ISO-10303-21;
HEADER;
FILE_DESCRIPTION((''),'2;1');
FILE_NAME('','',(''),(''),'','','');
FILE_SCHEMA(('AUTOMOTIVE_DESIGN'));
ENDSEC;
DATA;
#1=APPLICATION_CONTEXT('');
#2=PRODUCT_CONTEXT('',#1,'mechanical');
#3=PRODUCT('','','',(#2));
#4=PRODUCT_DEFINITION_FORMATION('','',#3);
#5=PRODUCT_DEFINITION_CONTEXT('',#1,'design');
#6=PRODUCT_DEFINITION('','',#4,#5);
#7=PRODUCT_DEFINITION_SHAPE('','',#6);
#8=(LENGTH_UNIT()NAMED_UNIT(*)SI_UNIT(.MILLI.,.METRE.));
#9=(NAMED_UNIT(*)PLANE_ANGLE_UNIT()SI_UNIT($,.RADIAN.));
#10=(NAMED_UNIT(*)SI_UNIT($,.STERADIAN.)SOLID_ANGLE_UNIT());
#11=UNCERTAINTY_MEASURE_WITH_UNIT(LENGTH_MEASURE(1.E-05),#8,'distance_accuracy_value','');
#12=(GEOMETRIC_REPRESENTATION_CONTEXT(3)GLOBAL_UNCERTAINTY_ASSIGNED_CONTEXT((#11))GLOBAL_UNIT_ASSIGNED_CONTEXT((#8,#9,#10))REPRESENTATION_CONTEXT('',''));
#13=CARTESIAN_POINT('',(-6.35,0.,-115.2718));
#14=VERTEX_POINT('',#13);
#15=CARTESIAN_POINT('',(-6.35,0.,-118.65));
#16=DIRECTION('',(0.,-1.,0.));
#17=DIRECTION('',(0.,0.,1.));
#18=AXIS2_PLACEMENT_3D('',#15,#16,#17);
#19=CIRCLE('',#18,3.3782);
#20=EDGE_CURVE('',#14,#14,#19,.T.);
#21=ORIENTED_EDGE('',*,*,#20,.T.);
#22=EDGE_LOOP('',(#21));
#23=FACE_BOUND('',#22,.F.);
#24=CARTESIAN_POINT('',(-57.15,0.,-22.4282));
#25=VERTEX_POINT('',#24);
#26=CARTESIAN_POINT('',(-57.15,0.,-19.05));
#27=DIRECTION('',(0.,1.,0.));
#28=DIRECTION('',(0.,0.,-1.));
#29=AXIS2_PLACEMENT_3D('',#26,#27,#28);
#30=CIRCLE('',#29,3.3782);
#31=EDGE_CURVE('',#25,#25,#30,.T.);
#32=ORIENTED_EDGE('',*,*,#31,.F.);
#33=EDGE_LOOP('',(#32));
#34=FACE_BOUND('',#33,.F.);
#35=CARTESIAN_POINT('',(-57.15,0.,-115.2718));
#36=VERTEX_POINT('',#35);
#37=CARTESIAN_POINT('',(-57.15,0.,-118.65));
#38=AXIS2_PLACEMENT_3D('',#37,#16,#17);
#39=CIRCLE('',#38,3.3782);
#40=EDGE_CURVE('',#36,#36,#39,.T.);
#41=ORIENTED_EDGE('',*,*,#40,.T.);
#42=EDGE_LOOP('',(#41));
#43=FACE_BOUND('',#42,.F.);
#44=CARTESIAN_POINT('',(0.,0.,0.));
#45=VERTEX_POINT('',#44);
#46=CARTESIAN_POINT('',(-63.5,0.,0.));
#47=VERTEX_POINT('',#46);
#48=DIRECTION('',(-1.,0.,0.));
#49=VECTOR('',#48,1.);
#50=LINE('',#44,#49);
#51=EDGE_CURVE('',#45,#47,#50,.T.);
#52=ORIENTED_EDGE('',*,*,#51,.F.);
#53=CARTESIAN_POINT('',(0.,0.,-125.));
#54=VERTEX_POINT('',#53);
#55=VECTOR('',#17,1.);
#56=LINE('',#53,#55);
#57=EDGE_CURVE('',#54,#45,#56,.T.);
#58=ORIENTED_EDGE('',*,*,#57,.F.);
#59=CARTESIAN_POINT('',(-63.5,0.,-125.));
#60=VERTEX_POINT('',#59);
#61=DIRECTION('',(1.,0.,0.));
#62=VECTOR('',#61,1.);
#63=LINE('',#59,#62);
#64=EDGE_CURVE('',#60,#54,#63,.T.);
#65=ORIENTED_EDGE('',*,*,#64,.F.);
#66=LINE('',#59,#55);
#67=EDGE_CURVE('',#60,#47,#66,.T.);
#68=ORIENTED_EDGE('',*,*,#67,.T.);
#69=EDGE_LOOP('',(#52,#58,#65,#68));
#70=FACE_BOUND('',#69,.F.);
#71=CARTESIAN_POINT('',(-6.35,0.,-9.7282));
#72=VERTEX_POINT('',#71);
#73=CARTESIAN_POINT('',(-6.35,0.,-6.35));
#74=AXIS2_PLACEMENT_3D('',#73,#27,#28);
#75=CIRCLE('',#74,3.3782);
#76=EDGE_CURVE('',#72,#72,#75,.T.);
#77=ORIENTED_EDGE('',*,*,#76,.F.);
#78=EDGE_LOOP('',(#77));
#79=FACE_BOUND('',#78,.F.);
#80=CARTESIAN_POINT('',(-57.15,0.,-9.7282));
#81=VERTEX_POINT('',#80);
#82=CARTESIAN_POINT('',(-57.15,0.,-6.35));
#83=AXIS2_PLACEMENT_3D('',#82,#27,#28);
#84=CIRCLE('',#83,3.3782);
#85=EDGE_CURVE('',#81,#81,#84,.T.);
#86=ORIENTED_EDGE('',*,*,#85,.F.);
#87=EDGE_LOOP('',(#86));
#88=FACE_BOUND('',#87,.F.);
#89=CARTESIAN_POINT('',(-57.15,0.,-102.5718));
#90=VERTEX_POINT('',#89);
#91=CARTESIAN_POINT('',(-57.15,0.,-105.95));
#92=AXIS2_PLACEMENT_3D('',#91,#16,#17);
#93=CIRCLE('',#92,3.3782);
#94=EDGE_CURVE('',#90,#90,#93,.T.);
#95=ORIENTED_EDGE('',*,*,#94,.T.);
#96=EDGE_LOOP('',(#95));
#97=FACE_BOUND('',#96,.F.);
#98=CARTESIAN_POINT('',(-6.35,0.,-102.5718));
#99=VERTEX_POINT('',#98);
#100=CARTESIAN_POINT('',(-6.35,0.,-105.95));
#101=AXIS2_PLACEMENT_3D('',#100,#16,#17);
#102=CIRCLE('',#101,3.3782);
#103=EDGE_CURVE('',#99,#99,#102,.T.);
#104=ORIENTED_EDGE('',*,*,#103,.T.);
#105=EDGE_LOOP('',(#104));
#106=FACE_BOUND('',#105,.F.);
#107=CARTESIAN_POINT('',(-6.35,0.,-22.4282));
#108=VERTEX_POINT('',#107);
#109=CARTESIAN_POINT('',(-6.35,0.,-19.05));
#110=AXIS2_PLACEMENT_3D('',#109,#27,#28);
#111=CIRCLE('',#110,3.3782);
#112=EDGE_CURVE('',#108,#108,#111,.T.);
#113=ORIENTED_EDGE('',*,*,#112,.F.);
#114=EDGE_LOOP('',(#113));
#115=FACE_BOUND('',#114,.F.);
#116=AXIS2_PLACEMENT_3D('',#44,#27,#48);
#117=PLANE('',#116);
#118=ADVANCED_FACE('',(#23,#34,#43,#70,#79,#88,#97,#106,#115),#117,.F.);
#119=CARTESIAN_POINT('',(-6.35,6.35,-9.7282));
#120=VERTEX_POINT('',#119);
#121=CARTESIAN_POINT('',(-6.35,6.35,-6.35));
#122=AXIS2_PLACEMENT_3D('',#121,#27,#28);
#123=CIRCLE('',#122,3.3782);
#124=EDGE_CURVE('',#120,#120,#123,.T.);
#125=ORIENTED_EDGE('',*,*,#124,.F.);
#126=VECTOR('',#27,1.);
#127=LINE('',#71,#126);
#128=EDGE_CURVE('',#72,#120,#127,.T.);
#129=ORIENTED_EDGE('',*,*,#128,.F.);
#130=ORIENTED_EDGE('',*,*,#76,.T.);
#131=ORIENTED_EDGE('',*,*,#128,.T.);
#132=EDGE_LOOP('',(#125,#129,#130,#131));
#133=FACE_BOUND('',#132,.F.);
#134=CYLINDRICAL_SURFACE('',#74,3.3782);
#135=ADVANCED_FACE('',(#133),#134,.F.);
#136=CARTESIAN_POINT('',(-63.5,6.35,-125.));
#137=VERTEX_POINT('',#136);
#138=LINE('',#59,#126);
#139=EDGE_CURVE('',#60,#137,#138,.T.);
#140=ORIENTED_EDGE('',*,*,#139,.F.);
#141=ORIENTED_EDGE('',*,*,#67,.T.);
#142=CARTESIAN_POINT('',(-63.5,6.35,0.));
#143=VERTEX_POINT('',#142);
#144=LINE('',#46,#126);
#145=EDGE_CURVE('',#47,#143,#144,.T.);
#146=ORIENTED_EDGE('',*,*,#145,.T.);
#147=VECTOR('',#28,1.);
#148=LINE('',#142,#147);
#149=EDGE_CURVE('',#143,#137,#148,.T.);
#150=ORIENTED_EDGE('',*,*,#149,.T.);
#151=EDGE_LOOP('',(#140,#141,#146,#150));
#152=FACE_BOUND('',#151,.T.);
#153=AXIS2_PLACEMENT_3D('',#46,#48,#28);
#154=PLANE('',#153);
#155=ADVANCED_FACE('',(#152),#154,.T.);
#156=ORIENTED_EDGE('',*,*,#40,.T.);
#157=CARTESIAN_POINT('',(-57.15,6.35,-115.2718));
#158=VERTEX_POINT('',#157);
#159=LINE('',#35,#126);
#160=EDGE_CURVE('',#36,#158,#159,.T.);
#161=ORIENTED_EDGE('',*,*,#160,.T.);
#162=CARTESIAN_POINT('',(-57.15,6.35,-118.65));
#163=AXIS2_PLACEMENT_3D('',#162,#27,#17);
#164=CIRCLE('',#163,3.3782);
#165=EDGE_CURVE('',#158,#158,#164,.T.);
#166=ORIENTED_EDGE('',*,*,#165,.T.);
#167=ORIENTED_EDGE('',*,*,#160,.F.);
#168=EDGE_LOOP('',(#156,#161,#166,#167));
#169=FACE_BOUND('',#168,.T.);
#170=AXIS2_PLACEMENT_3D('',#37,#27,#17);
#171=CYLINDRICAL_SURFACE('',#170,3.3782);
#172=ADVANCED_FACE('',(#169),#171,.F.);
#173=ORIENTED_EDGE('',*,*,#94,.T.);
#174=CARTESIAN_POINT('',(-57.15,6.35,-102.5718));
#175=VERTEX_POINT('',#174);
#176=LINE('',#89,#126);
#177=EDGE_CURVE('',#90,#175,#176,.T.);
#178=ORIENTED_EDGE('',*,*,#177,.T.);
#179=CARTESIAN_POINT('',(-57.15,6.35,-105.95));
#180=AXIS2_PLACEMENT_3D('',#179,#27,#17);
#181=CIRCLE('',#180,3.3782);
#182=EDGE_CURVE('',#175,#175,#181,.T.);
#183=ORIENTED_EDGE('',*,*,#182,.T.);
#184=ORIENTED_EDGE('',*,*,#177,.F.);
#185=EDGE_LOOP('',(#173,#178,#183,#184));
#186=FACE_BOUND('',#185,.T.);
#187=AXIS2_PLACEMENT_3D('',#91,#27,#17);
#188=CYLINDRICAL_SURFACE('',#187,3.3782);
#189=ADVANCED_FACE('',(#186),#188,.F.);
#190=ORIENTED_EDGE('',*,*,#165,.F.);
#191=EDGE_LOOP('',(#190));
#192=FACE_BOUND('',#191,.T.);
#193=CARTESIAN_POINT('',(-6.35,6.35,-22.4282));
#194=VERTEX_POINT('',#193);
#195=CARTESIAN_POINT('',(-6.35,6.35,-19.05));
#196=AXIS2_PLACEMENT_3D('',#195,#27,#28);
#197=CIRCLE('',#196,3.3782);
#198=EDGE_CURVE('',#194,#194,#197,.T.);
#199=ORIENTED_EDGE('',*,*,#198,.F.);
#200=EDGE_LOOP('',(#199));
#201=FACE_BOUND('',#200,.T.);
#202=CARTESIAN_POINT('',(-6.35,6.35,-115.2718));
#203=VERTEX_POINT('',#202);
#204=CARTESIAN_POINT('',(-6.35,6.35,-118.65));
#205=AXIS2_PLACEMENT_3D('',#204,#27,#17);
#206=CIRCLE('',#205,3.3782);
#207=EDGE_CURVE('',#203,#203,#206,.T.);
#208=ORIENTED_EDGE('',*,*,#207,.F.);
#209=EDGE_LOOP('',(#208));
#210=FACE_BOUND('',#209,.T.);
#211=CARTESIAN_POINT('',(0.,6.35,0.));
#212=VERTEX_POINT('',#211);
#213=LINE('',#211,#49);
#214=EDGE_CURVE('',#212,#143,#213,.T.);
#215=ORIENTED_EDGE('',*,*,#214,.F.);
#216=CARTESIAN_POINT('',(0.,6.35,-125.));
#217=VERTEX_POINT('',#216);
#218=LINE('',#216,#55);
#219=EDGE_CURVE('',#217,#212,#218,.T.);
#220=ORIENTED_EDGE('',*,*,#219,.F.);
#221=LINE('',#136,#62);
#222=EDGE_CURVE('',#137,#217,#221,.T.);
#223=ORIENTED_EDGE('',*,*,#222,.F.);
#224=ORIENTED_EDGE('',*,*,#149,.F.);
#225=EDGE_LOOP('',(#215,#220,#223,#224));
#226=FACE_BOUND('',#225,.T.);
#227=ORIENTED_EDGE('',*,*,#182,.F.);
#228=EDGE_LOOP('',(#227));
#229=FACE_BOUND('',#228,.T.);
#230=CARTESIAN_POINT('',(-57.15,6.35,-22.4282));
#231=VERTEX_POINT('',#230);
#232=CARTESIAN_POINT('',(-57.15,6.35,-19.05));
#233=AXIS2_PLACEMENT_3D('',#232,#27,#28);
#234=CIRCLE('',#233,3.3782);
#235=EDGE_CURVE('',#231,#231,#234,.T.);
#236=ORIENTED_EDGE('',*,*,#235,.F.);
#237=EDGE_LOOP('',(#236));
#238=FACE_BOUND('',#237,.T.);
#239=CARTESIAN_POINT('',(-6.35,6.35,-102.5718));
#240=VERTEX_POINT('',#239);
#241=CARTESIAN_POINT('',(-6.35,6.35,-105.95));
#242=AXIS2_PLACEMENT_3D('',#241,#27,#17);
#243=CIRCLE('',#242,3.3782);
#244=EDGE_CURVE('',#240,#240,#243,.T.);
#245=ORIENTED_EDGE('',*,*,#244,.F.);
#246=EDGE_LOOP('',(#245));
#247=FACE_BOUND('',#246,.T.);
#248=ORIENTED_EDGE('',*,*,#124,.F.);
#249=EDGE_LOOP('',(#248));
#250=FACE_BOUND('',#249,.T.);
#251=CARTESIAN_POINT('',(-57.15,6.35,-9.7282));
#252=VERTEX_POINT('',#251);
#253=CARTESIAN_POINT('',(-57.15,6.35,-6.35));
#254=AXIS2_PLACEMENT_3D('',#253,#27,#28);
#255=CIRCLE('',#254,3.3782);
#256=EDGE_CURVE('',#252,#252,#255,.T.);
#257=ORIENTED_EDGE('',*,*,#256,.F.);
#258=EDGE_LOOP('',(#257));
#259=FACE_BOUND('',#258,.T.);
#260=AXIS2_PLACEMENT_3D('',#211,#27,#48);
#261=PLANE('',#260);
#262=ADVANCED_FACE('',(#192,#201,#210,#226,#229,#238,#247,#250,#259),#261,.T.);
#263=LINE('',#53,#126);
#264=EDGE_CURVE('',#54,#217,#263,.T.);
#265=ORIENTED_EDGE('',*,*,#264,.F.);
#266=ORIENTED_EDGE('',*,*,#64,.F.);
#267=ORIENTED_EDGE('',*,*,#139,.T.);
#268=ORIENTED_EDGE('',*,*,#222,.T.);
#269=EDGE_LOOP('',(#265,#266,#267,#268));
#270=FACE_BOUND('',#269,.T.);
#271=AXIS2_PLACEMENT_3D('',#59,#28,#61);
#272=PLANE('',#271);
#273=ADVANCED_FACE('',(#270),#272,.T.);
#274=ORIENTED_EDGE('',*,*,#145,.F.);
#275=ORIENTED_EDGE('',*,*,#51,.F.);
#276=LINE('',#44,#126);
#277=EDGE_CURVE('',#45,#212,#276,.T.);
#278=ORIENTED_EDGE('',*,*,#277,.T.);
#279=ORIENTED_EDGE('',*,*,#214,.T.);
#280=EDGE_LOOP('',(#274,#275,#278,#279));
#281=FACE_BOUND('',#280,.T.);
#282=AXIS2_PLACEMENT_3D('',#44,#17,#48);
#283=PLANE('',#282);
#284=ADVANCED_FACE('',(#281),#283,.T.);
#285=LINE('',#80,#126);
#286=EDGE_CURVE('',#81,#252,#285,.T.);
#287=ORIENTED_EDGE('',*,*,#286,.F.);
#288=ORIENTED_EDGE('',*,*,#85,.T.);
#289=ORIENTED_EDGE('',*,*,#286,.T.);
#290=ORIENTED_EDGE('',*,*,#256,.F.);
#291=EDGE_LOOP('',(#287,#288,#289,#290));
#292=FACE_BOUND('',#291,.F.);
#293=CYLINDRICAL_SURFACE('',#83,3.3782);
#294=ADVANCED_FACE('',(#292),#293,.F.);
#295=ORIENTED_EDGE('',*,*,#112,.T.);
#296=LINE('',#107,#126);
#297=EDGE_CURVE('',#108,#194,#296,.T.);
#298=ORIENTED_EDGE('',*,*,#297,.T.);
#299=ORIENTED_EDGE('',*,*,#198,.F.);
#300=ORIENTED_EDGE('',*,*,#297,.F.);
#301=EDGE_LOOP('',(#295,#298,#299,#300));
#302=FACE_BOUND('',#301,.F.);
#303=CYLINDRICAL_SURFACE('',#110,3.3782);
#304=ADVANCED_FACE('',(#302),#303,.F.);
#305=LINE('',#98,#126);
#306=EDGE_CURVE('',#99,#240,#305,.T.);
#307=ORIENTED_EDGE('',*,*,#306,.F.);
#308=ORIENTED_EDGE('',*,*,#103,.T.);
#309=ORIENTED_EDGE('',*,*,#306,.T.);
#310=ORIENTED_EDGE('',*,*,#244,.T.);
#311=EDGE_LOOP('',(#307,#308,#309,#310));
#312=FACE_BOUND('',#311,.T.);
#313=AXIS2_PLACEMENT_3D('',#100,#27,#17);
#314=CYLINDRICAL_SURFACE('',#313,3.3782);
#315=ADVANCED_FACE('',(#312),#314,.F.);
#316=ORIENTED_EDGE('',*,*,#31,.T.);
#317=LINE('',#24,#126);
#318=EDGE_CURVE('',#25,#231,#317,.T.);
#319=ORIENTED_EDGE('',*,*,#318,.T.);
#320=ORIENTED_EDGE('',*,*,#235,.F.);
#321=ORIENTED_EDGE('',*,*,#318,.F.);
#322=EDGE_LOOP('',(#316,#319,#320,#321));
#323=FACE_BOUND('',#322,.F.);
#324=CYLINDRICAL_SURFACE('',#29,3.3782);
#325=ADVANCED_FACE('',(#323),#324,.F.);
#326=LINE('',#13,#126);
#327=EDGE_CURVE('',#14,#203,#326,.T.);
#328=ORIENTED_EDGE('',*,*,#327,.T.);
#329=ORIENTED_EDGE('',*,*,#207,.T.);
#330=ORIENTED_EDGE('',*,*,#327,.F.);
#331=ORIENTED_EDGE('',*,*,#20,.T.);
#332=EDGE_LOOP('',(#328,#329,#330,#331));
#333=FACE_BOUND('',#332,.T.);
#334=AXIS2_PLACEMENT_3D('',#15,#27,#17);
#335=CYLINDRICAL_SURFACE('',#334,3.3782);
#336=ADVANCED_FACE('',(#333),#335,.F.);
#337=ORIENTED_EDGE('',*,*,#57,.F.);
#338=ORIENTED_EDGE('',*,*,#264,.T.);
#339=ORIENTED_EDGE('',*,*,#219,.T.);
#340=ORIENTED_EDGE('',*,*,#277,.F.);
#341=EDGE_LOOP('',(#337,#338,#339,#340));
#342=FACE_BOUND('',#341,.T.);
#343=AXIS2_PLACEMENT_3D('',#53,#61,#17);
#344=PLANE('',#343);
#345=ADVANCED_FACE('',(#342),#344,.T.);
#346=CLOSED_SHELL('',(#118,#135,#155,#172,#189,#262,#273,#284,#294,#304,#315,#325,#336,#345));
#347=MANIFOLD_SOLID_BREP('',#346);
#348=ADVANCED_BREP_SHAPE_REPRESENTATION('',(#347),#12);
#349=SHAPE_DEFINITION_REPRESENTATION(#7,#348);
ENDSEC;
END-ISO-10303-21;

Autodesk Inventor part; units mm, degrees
ref_plane "YZ Plane" through (0, 0, 0) normal (1, 0, 0) x (0, 1, 0)
ref_plane "XZ Plane" through (0, 0, 0) normal (0, 1, 0) x (-1, 0, 0)
ref_plane "XY Plane" through (0, 0, 0) normal (0, 0, 1) x (1, 0, 0)
sketch "Sketch1" plane through (0, 0, 0) normal (0, 1, 0) x (-1, 0, 0)
  line L0 (0, 0) -> (63.5, 0)
  line L1 (63.5, 0) -> (63.5, -125)
  line L2 (63.5, -125) -> (0, -125)
  line L3 (0, -125) -> (0, 0)
  line L4 (63.5, 0) -> (63.5, -6.35)
  line L5 (63.5, -6.35) -> (31.75, -6.35)
  line L6 (31.75, -6.35) -> (57.15, -6.35)
  line L7 (31.75, -6.35) -> (6.35, -6.35)
  line L8 (6.35, -6.35) -> (6.35, -19.05)
  line L9 (57.15, -6.35) -> (57.15, -19.05)
  dimension "d0" = 125
  dimension "d1" = 6.35
  dimension "d2" = 25.4
  dimension "d3" = 63.5
  dimension "d4" = 31.75
  dimension "d5" = 25.4
  dimension "d6" = 12.7
  dimension "d7" = 12.7
extrude "Extrusion1" add sketch "Sketch1" along normal blind 6.35
hole "Hole1" at (-6.35, 0, -6.35) at (-6.35, 0, -19.05) at (-57.15, 0, -6.35) at (-57.15, 0, -19.05) direction (0, 1, 0) diameter 6.7564 end through all clearance for "Socket Head Cap Screw" size "1/4" standard "Ansi Unified Screw Threads"
ref_plane "Work Plane1" through (0, 6.35, -62.5) normal (0, 0, 1) x (1, 0, 0)
mirror "Mirror1" about plane through (0, 6.35, -62.5) normal (0, 0, 1) of "Hole1"
properties part number "USAXS Rail Extender"
